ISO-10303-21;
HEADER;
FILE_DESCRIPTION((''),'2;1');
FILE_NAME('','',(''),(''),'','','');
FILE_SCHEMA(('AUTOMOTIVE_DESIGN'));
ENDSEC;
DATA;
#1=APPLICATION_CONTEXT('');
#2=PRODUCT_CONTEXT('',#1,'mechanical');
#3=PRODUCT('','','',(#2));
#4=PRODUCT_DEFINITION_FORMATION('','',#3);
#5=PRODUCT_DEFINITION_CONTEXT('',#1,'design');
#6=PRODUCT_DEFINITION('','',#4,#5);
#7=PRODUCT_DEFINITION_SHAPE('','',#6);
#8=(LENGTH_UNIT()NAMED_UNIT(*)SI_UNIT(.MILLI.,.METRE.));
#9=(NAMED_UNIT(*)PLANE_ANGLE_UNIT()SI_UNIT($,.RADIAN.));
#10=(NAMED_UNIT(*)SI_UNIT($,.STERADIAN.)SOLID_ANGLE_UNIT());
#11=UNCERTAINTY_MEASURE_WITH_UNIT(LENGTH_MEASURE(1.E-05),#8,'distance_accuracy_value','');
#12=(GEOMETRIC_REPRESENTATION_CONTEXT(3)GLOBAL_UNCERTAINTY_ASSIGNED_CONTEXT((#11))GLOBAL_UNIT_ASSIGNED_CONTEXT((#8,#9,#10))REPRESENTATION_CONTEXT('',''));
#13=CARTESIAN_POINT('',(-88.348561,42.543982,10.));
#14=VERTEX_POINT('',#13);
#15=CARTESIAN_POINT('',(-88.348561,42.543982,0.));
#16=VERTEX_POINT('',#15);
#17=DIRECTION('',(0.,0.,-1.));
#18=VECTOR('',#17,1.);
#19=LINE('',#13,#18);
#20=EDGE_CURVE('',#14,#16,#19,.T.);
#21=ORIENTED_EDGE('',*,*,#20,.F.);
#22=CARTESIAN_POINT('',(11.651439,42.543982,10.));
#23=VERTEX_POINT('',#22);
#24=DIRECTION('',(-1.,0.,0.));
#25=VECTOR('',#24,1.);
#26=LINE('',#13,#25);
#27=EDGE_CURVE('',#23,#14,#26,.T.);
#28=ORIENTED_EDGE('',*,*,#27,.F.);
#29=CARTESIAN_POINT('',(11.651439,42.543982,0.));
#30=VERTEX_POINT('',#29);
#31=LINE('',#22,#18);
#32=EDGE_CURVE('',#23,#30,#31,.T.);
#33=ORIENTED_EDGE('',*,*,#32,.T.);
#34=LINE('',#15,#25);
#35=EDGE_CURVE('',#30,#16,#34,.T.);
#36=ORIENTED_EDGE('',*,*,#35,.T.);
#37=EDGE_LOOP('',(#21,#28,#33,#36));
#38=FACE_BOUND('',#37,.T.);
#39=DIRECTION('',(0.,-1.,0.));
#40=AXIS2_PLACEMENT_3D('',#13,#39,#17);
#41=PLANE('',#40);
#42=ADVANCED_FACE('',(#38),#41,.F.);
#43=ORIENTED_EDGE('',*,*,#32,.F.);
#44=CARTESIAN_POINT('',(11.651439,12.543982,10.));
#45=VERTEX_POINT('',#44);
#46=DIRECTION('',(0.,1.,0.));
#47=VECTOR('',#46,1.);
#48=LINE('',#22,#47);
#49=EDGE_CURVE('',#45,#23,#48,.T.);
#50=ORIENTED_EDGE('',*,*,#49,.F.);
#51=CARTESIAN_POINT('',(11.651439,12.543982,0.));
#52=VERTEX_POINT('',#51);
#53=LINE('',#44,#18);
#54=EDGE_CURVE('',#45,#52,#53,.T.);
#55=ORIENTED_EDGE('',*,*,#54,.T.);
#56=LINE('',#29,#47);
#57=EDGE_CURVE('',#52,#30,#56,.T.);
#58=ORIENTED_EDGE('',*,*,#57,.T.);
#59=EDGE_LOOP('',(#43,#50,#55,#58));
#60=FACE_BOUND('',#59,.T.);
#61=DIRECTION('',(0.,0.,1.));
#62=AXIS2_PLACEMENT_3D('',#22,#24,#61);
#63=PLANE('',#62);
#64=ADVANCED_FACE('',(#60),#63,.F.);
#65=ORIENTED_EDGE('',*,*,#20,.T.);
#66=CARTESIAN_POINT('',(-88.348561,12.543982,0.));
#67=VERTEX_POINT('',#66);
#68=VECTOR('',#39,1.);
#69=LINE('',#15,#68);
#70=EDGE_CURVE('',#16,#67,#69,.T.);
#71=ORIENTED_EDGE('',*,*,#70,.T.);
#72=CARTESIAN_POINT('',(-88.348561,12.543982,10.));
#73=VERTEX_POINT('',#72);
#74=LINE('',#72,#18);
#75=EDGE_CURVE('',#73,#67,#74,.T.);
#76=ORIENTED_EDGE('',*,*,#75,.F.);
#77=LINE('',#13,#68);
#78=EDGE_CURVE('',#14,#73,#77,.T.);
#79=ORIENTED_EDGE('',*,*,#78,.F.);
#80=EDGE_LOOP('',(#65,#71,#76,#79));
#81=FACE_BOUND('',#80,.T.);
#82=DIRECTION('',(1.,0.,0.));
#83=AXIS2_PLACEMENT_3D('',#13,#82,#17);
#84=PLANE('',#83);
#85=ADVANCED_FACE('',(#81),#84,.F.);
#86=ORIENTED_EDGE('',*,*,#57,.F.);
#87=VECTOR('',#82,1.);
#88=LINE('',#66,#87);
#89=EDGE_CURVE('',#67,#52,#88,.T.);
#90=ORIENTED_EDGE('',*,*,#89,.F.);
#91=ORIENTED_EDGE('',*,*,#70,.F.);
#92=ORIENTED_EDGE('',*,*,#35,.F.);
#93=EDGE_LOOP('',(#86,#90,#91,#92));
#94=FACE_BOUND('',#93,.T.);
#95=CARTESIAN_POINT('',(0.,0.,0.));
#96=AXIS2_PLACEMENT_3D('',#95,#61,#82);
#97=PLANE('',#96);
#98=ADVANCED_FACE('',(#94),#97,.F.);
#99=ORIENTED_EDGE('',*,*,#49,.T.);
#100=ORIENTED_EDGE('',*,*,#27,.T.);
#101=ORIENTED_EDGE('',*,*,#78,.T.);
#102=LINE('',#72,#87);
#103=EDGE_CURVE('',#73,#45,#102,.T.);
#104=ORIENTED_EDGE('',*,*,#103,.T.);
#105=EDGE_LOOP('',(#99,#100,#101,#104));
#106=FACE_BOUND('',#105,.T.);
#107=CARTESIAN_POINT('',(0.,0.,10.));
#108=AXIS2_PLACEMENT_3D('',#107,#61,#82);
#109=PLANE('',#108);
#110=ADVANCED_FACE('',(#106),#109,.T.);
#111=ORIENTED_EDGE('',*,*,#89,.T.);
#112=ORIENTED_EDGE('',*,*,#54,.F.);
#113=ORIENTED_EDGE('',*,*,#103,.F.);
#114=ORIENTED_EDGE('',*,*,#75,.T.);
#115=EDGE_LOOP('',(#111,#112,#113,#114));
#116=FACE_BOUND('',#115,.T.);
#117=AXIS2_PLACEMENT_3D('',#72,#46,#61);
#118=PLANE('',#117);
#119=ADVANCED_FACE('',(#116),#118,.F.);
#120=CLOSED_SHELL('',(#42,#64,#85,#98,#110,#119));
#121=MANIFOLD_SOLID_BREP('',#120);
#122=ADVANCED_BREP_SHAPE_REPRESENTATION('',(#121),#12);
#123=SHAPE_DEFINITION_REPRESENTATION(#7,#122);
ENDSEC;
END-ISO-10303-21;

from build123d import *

# Parameters (mm, degrees)
SKETCH1_W           = 100
SKETCH1_H           = 30
BOSS_EXTRUDE1_DEPTH = 10


with BuildPart() as part:
    # Sketch1 → Boss-Extrude1 (new body)
    with BuildSketch(Plane.XY):
        with Locations((-38.348561098, 27.543981747)):
            Rectangle(SKETCH1_W, SKETCH1_H)
    extrude(amount=BOSS_EXTRUDE1_DEPTH)


solid = part.part
